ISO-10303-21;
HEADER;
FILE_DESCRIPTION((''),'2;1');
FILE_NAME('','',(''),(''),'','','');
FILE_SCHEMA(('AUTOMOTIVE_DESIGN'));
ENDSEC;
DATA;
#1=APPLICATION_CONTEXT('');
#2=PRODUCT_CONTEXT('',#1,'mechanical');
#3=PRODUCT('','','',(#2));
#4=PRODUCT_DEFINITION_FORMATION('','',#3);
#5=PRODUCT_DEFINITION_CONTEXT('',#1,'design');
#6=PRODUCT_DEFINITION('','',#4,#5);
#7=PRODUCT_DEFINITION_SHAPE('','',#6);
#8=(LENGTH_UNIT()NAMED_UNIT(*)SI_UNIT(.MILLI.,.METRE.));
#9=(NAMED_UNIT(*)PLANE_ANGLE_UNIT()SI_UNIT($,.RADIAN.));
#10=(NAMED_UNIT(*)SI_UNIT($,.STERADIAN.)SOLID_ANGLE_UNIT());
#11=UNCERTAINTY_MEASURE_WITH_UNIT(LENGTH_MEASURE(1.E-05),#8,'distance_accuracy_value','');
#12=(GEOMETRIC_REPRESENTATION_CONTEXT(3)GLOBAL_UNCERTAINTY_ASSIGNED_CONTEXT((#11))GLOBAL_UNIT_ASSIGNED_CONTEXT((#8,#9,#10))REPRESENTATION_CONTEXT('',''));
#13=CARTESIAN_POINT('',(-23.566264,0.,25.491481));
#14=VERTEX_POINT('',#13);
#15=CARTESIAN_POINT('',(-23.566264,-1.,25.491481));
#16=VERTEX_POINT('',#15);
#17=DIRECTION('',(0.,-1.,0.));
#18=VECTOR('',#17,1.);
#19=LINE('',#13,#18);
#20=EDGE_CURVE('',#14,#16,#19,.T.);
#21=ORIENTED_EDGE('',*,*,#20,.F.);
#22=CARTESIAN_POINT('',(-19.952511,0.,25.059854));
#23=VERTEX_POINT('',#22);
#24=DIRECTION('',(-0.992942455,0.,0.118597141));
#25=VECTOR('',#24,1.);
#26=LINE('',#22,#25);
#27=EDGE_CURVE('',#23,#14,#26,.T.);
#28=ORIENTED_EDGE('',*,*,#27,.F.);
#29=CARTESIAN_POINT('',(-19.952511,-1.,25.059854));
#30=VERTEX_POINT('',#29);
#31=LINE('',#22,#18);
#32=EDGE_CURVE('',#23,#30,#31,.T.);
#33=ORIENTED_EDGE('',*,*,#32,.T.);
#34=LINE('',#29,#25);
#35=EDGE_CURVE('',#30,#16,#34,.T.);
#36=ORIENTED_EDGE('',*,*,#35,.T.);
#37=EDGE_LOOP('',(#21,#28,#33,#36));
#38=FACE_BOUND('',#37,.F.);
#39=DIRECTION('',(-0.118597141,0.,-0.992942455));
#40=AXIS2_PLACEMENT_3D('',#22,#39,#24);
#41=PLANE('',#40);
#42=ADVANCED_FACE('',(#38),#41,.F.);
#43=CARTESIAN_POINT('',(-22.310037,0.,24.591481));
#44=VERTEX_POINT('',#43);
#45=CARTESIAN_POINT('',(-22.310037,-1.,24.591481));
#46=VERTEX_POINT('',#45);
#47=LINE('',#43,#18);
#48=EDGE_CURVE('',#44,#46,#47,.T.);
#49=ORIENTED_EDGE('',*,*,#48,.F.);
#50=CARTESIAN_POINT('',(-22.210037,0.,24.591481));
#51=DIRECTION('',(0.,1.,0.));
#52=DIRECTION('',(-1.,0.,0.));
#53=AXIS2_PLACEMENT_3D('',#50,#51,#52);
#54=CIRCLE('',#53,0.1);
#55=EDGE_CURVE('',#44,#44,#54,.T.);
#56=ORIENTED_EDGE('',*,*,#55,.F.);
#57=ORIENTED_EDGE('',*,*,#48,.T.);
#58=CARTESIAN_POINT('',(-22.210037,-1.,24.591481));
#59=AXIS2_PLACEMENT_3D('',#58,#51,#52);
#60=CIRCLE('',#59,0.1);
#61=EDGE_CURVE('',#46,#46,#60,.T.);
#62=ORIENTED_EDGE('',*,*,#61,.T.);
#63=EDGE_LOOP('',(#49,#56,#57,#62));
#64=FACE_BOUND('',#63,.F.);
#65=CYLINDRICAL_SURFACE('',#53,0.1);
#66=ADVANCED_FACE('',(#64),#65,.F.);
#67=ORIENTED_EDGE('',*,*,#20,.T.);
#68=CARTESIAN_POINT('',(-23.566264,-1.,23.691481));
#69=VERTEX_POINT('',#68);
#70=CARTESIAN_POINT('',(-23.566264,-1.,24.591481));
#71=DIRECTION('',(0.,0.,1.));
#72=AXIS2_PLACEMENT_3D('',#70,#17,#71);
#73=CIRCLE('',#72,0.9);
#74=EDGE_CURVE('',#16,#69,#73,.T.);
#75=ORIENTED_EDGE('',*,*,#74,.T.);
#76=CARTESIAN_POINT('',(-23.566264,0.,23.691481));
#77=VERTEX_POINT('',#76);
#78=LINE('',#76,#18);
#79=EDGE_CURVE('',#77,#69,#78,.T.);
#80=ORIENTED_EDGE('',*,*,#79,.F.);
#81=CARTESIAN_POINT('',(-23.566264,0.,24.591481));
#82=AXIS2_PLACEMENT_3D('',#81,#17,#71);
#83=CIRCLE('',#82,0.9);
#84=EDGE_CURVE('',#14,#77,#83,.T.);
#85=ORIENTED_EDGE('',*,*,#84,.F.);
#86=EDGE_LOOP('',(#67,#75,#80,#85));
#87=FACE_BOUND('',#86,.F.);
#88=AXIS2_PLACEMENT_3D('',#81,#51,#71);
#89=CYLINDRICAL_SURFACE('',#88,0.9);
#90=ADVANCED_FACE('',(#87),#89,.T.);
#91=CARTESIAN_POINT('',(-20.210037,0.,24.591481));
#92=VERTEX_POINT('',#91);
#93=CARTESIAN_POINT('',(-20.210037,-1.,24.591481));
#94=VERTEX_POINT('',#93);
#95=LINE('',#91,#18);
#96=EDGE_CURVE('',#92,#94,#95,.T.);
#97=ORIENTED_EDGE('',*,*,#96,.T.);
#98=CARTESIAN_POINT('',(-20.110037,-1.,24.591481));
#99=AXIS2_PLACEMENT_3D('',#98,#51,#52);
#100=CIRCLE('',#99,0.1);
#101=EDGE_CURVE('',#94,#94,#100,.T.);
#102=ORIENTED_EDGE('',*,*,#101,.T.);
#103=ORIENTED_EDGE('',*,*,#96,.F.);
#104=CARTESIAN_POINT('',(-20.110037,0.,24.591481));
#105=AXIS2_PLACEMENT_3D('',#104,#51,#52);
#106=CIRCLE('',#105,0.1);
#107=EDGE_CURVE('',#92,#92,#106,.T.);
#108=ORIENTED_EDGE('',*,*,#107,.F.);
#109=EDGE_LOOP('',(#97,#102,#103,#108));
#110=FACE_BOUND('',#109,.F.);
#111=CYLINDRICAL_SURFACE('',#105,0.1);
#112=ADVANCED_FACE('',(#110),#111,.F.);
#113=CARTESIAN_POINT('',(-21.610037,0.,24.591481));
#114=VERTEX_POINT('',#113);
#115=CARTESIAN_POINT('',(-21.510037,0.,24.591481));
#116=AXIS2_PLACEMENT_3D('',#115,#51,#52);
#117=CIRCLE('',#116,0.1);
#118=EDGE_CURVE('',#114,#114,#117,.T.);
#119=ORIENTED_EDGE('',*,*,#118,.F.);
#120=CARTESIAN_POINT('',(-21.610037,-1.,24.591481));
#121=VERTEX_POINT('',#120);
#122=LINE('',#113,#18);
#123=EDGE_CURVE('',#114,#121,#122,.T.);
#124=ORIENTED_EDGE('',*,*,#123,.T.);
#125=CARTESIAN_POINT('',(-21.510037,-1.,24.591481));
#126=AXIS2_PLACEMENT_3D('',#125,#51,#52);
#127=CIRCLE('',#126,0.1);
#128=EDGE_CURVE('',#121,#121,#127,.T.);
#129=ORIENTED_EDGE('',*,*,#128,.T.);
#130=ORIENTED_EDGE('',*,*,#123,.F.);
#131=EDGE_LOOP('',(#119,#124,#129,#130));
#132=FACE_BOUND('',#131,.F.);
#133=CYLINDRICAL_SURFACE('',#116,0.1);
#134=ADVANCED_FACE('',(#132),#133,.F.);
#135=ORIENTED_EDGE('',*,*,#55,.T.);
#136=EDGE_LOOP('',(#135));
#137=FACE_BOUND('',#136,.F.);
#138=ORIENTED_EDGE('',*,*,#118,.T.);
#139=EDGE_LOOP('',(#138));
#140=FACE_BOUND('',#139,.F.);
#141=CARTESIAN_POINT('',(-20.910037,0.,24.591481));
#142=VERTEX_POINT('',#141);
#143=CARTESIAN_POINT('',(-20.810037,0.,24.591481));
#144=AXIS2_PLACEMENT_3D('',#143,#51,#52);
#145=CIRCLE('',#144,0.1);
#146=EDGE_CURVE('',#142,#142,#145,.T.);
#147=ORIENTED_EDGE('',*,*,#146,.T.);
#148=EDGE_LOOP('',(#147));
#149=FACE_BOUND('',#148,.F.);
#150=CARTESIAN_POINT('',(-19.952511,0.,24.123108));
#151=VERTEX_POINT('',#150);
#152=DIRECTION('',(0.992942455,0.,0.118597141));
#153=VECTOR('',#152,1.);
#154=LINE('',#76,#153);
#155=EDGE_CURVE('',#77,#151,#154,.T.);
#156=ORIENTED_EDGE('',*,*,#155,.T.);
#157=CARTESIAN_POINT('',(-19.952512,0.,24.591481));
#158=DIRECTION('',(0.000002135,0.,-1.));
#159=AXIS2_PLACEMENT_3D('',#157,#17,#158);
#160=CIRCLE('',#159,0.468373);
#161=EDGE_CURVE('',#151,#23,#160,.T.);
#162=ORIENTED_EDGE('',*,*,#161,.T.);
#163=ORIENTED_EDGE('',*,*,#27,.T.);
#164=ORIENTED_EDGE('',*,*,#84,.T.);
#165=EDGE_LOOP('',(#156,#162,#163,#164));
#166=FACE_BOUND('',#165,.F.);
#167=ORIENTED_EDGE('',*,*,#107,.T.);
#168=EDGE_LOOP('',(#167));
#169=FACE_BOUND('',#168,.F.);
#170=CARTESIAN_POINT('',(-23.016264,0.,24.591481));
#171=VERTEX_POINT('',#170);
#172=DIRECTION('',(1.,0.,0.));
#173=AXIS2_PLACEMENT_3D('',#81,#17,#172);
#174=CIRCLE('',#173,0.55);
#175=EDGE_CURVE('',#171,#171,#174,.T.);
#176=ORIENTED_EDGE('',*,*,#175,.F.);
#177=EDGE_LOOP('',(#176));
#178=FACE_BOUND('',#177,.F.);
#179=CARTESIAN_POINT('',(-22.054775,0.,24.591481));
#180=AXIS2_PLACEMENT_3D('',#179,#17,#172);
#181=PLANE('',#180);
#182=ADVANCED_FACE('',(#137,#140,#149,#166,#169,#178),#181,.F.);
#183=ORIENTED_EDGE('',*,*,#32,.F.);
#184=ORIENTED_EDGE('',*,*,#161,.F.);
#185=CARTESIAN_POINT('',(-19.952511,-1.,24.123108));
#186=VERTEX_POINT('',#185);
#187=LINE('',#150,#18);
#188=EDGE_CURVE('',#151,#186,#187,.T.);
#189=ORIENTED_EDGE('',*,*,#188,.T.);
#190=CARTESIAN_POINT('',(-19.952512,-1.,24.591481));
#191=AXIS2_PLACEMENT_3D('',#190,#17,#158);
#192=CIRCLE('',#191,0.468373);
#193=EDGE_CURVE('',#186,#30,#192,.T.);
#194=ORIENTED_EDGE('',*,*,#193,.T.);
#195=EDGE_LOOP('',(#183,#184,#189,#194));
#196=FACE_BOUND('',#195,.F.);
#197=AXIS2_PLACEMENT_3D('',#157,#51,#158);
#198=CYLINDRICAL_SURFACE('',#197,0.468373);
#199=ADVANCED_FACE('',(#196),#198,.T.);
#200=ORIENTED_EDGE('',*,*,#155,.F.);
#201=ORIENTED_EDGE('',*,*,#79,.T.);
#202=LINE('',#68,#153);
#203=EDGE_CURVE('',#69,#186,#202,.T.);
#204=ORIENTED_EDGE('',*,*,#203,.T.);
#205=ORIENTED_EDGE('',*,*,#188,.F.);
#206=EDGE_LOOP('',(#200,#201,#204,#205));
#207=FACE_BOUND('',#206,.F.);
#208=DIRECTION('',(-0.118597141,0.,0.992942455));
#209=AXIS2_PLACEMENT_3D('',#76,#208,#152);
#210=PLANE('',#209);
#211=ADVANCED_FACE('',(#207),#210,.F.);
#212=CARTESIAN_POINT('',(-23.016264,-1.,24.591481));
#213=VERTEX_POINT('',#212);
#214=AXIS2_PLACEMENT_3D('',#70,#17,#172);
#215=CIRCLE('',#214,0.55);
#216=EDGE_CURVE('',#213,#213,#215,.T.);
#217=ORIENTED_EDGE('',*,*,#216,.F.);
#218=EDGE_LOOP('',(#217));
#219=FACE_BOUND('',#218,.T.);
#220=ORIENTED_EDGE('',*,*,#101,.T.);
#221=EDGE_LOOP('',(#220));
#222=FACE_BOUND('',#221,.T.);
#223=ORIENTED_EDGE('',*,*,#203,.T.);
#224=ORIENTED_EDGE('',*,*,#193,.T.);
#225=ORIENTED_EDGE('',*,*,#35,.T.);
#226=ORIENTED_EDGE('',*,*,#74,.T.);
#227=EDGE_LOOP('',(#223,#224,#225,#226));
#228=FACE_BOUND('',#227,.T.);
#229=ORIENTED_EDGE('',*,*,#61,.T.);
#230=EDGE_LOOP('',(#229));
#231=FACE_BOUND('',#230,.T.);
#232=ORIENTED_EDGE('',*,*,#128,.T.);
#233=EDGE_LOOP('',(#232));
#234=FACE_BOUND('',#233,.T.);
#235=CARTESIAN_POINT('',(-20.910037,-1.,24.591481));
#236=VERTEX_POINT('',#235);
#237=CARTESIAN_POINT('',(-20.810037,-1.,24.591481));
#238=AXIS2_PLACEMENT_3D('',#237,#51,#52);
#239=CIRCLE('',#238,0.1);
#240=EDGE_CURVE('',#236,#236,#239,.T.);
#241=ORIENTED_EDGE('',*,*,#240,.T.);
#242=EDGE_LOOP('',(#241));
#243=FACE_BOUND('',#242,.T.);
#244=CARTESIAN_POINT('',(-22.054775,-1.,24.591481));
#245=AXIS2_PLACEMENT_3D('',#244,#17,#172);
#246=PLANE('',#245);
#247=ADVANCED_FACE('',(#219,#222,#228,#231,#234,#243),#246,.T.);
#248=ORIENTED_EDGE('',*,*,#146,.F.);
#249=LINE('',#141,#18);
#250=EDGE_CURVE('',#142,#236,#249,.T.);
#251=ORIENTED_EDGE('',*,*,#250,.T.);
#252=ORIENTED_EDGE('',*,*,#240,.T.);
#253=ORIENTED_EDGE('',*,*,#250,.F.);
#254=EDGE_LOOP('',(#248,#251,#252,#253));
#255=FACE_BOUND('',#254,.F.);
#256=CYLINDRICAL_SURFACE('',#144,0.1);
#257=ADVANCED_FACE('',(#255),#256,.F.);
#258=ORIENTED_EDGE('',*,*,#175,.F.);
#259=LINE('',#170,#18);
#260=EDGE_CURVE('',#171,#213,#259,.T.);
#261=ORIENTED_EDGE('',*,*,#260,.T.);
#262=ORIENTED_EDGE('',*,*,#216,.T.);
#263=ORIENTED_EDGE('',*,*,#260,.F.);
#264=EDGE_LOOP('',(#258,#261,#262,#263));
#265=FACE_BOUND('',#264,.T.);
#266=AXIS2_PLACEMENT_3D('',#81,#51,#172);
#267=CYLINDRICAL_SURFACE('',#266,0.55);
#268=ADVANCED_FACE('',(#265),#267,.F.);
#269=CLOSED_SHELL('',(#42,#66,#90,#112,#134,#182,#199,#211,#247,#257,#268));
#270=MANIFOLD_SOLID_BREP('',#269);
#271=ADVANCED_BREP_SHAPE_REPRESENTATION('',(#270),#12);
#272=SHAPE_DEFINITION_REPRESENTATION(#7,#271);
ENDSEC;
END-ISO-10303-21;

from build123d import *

# Parameters (mm, degrees)
F0_R     = 0.55
F1_DEPTH = 1


with BuildPart() as f1:
    # F0 (on Front) → F1 (new body)
    with BuildSketch(Plane.XZ):
        with BuildLine():
            Line((-19.952511, 25.059854), (-23.566264, 25.491481))
            ThreePointArc((-23.566264, 25.491481), (-24.466264, 24.591481), (-23.566264, 23.691481))
            Line((-23.566264, 23.691481), (-19.952511, 24.123108))
            ThreePointArc((-19.952511, 24.123108), (-19.484139, 24.591481), (-19.952511, 25.059854))
        make_face()
        with Locations((-23.566264, 24.591481)):
            Circle(F0_R, mode=Mode.SUBTRACT)
        with BuildLine():
            ThreePointArc((-22.110037, 24.591481), (-22.210037, 24.491481), (-22.310037, 24.591481))
            ThreePointArc((-22.310037, 24.591481), (-22.210037, 24.691481), (-22.110037, 24.591481))
        make_face(mode=Mode.SUBTRACT)
        with BuildLine():
            ThreePointArc((-21.410037, 24.591481), (-21.510037, 24.491481), (-21.610037, 24.591481))
            ThreePointArc((-21.610037, 24.591481), (-21.510037, 24.691481), (-21.410037, 24.591481))
        make_face(mode=Mode.SUBTRACT)
        with BuildLine():
            ThreePointArc((-20.710037, 24.591481), (-20.810037, 24.491481), (-20.910037, 24.591481))
            ThreePointArc((-20.910037, 24.591481), (-20.810037, 24.691481), (-20.710037, 24.591481))
        make_face(mode=Mode.SUBTRACT)
        with BuildLine():
            ThreePointArc((-20.010037, 24.591481), (-20.110037, 24.491481), (-20.210037, 24.591481))
            ThreePointArc((-20.210037, 24.591481), (-20.110037, 24.691481), (-20.010037, 24.591481))
        make_face(mode=Mode.SUBTRACT)
    extrude(amount=F1_DEPTH)


solid = f1.part
